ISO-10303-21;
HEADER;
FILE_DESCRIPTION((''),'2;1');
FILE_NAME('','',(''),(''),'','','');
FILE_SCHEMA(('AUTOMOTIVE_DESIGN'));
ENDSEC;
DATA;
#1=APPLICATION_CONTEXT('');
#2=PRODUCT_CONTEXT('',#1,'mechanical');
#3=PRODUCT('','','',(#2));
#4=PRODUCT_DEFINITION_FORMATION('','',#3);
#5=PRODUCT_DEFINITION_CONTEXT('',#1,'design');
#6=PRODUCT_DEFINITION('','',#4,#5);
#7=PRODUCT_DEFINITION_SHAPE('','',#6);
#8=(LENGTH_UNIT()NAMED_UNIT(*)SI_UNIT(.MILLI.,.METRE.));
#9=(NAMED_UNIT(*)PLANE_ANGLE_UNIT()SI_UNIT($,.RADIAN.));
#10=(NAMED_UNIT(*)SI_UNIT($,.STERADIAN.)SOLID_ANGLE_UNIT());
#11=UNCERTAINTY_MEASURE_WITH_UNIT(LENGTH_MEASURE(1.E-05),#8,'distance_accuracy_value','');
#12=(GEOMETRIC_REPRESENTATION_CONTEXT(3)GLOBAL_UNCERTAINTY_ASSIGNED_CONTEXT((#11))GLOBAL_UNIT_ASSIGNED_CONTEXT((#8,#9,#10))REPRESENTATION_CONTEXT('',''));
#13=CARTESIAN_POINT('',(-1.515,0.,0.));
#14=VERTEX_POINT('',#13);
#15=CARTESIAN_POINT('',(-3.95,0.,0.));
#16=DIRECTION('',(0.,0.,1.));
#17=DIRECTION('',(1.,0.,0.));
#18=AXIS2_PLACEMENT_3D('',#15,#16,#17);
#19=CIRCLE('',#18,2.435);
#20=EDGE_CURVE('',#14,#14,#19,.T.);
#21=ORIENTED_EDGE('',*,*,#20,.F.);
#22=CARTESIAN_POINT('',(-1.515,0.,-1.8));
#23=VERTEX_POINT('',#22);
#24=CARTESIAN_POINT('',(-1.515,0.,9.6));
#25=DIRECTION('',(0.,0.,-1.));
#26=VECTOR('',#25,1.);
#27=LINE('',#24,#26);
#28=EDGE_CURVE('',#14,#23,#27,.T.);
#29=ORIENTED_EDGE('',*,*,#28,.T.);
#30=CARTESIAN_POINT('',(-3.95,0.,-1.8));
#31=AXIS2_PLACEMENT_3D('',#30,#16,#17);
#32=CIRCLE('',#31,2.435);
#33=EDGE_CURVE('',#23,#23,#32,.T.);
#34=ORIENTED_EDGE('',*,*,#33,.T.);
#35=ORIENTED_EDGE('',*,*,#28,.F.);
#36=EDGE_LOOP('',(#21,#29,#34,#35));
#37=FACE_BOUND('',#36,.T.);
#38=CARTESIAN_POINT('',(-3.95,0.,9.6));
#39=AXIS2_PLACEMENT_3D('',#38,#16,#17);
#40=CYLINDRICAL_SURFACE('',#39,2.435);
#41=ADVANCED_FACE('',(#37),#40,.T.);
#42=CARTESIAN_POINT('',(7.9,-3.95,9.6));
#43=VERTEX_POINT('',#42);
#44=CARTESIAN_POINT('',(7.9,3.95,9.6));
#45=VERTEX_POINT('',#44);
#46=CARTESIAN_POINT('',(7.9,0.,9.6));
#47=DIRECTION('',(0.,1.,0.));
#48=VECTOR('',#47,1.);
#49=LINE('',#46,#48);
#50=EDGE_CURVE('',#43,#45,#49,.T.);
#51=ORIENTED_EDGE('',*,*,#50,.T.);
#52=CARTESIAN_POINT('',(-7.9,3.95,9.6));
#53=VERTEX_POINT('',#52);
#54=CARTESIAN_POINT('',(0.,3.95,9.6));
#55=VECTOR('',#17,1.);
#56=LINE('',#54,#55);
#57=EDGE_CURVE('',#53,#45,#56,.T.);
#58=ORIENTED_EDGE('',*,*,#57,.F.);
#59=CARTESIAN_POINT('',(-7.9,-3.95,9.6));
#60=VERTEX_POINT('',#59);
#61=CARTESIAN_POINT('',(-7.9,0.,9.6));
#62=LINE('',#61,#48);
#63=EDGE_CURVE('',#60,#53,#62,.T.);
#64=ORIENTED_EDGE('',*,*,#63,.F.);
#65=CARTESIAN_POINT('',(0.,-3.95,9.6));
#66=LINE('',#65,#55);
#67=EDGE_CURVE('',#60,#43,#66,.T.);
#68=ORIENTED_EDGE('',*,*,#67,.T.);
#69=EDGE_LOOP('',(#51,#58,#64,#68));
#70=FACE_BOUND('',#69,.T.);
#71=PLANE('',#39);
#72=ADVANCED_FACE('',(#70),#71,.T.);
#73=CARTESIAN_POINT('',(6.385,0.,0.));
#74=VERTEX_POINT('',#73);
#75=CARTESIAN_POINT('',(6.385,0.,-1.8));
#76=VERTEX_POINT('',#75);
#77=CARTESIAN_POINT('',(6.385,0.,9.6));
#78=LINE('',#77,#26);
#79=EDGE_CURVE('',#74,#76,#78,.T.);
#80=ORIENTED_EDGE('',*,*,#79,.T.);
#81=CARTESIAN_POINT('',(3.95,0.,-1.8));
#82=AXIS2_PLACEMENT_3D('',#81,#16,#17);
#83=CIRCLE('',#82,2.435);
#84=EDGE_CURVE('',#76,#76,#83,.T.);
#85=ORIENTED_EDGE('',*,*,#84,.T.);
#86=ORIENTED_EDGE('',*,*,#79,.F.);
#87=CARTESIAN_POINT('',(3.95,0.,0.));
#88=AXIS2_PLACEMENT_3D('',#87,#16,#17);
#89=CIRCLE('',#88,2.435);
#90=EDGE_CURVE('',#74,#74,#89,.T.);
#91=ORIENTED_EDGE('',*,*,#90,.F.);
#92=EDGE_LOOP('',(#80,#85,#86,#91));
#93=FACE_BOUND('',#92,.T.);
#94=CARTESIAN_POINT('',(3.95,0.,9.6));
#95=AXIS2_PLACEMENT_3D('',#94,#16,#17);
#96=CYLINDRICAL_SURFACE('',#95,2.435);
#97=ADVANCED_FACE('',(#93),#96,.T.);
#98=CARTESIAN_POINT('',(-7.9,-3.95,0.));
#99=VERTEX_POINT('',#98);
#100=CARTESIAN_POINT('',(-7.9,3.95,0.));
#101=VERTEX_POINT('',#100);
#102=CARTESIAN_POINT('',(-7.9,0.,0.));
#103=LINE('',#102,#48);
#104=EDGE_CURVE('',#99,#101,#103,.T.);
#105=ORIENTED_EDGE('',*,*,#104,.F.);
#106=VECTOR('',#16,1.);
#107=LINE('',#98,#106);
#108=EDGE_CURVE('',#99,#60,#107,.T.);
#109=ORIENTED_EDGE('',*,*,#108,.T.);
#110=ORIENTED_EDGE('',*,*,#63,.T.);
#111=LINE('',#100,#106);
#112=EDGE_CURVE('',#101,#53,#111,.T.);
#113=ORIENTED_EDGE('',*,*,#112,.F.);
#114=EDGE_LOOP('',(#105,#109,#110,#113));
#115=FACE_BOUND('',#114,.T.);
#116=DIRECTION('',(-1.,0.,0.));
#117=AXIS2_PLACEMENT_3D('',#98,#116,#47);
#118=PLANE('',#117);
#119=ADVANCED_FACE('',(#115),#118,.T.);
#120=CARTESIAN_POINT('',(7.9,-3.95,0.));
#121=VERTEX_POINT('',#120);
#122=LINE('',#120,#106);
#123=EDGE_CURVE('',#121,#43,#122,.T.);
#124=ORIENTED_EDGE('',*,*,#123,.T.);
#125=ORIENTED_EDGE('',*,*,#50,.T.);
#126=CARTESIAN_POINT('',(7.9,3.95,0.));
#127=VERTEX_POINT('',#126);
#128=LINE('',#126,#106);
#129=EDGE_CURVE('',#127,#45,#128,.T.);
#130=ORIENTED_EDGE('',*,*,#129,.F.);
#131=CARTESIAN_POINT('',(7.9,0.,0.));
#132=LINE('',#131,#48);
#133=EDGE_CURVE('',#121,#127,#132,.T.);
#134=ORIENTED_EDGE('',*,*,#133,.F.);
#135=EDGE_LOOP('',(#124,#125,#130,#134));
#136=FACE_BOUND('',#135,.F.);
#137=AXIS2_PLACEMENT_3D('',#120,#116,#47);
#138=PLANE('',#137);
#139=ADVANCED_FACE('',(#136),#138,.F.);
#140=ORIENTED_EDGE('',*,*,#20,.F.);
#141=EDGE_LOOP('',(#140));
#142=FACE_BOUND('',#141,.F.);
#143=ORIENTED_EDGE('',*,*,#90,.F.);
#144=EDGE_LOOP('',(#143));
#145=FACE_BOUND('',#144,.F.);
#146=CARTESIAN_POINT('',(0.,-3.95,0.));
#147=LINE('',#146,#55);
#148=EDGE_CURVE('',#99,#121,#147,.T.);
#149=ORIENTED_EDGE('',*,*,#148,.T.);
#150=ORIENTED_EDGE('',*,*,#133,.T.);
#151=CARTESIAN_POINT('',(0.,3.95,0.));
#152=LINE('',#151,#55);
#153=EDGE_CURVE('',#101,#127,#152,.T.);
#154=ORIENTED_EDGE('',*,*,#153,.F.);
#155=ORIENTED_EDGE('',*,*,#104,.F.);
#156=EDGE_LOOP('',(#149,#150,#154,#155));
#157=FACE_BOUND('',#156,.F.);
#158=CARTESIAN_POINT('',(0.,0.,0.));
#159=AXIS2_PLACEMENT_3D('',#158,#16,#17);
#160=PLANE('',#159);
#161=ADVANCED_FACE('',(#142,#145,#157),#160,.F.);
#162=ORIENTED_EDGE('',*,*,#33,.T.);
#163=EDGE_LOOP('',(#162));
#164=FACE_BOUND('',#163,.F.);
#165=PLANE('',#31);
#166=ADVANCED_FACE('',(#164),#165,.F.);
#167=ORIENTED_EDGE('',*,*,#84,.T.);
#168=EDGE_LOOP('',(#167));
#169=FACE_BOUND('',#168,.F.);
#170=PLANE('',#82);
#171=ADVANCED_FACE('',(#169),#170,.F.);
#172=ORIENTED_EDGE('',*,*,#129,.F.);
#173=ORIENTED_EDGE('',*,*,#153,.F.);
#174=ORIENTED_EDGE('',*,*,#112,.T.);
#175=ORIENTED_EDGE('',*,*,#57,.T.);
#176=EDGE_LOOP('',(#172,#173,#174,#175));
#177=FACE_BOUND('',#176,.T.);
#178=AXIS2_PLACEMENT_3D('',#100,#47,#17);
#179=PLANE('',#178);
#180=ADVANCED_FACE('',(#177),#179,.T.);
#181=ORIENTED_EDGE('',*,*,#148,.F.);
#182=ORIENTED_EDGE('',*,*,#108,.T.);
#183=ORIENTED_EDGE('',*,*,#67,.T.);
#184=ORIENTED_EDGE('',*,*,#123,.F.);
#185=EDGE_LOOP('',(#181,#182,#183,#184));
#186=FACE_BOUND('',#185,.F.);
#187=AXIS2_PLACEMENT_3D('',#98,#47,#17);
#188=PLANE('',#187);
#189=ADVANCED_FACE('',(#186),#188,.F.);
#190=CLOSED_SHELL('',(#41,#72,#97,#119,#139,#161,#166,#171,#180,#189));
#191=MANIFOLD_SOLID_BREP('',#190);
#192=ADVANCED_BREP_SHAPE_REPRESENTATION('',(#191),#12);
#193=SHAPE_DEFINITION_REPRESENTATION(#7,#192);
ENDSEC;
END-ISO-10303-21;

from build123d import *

# Parameters (mm, degrees)
F0_W     = 15.8
F0_H     = 7.9
F1_DEPTH = 9.6
F2_R     = 2.435
F3_DEPTH = 11.4


with BuildPart() as f1:
    # F0 (on Top) → F1 (new body)
    with BuildSketch(Plane.XY):
        Rectangle(F0_W, F0_H)
    extrude(amount=F1_DEPTH)

    # F2 (on face) → F3 (join)
    with BuildSketch(Plane.XY.offset(9.6)):
        with Locations((-3.95, 0)):
            Circle(F2_R)
        with Locations((3.95, 0)):
            Circle(F2_R)
    extrude(amount=-F3_DEPTH)


solid = f1.part
